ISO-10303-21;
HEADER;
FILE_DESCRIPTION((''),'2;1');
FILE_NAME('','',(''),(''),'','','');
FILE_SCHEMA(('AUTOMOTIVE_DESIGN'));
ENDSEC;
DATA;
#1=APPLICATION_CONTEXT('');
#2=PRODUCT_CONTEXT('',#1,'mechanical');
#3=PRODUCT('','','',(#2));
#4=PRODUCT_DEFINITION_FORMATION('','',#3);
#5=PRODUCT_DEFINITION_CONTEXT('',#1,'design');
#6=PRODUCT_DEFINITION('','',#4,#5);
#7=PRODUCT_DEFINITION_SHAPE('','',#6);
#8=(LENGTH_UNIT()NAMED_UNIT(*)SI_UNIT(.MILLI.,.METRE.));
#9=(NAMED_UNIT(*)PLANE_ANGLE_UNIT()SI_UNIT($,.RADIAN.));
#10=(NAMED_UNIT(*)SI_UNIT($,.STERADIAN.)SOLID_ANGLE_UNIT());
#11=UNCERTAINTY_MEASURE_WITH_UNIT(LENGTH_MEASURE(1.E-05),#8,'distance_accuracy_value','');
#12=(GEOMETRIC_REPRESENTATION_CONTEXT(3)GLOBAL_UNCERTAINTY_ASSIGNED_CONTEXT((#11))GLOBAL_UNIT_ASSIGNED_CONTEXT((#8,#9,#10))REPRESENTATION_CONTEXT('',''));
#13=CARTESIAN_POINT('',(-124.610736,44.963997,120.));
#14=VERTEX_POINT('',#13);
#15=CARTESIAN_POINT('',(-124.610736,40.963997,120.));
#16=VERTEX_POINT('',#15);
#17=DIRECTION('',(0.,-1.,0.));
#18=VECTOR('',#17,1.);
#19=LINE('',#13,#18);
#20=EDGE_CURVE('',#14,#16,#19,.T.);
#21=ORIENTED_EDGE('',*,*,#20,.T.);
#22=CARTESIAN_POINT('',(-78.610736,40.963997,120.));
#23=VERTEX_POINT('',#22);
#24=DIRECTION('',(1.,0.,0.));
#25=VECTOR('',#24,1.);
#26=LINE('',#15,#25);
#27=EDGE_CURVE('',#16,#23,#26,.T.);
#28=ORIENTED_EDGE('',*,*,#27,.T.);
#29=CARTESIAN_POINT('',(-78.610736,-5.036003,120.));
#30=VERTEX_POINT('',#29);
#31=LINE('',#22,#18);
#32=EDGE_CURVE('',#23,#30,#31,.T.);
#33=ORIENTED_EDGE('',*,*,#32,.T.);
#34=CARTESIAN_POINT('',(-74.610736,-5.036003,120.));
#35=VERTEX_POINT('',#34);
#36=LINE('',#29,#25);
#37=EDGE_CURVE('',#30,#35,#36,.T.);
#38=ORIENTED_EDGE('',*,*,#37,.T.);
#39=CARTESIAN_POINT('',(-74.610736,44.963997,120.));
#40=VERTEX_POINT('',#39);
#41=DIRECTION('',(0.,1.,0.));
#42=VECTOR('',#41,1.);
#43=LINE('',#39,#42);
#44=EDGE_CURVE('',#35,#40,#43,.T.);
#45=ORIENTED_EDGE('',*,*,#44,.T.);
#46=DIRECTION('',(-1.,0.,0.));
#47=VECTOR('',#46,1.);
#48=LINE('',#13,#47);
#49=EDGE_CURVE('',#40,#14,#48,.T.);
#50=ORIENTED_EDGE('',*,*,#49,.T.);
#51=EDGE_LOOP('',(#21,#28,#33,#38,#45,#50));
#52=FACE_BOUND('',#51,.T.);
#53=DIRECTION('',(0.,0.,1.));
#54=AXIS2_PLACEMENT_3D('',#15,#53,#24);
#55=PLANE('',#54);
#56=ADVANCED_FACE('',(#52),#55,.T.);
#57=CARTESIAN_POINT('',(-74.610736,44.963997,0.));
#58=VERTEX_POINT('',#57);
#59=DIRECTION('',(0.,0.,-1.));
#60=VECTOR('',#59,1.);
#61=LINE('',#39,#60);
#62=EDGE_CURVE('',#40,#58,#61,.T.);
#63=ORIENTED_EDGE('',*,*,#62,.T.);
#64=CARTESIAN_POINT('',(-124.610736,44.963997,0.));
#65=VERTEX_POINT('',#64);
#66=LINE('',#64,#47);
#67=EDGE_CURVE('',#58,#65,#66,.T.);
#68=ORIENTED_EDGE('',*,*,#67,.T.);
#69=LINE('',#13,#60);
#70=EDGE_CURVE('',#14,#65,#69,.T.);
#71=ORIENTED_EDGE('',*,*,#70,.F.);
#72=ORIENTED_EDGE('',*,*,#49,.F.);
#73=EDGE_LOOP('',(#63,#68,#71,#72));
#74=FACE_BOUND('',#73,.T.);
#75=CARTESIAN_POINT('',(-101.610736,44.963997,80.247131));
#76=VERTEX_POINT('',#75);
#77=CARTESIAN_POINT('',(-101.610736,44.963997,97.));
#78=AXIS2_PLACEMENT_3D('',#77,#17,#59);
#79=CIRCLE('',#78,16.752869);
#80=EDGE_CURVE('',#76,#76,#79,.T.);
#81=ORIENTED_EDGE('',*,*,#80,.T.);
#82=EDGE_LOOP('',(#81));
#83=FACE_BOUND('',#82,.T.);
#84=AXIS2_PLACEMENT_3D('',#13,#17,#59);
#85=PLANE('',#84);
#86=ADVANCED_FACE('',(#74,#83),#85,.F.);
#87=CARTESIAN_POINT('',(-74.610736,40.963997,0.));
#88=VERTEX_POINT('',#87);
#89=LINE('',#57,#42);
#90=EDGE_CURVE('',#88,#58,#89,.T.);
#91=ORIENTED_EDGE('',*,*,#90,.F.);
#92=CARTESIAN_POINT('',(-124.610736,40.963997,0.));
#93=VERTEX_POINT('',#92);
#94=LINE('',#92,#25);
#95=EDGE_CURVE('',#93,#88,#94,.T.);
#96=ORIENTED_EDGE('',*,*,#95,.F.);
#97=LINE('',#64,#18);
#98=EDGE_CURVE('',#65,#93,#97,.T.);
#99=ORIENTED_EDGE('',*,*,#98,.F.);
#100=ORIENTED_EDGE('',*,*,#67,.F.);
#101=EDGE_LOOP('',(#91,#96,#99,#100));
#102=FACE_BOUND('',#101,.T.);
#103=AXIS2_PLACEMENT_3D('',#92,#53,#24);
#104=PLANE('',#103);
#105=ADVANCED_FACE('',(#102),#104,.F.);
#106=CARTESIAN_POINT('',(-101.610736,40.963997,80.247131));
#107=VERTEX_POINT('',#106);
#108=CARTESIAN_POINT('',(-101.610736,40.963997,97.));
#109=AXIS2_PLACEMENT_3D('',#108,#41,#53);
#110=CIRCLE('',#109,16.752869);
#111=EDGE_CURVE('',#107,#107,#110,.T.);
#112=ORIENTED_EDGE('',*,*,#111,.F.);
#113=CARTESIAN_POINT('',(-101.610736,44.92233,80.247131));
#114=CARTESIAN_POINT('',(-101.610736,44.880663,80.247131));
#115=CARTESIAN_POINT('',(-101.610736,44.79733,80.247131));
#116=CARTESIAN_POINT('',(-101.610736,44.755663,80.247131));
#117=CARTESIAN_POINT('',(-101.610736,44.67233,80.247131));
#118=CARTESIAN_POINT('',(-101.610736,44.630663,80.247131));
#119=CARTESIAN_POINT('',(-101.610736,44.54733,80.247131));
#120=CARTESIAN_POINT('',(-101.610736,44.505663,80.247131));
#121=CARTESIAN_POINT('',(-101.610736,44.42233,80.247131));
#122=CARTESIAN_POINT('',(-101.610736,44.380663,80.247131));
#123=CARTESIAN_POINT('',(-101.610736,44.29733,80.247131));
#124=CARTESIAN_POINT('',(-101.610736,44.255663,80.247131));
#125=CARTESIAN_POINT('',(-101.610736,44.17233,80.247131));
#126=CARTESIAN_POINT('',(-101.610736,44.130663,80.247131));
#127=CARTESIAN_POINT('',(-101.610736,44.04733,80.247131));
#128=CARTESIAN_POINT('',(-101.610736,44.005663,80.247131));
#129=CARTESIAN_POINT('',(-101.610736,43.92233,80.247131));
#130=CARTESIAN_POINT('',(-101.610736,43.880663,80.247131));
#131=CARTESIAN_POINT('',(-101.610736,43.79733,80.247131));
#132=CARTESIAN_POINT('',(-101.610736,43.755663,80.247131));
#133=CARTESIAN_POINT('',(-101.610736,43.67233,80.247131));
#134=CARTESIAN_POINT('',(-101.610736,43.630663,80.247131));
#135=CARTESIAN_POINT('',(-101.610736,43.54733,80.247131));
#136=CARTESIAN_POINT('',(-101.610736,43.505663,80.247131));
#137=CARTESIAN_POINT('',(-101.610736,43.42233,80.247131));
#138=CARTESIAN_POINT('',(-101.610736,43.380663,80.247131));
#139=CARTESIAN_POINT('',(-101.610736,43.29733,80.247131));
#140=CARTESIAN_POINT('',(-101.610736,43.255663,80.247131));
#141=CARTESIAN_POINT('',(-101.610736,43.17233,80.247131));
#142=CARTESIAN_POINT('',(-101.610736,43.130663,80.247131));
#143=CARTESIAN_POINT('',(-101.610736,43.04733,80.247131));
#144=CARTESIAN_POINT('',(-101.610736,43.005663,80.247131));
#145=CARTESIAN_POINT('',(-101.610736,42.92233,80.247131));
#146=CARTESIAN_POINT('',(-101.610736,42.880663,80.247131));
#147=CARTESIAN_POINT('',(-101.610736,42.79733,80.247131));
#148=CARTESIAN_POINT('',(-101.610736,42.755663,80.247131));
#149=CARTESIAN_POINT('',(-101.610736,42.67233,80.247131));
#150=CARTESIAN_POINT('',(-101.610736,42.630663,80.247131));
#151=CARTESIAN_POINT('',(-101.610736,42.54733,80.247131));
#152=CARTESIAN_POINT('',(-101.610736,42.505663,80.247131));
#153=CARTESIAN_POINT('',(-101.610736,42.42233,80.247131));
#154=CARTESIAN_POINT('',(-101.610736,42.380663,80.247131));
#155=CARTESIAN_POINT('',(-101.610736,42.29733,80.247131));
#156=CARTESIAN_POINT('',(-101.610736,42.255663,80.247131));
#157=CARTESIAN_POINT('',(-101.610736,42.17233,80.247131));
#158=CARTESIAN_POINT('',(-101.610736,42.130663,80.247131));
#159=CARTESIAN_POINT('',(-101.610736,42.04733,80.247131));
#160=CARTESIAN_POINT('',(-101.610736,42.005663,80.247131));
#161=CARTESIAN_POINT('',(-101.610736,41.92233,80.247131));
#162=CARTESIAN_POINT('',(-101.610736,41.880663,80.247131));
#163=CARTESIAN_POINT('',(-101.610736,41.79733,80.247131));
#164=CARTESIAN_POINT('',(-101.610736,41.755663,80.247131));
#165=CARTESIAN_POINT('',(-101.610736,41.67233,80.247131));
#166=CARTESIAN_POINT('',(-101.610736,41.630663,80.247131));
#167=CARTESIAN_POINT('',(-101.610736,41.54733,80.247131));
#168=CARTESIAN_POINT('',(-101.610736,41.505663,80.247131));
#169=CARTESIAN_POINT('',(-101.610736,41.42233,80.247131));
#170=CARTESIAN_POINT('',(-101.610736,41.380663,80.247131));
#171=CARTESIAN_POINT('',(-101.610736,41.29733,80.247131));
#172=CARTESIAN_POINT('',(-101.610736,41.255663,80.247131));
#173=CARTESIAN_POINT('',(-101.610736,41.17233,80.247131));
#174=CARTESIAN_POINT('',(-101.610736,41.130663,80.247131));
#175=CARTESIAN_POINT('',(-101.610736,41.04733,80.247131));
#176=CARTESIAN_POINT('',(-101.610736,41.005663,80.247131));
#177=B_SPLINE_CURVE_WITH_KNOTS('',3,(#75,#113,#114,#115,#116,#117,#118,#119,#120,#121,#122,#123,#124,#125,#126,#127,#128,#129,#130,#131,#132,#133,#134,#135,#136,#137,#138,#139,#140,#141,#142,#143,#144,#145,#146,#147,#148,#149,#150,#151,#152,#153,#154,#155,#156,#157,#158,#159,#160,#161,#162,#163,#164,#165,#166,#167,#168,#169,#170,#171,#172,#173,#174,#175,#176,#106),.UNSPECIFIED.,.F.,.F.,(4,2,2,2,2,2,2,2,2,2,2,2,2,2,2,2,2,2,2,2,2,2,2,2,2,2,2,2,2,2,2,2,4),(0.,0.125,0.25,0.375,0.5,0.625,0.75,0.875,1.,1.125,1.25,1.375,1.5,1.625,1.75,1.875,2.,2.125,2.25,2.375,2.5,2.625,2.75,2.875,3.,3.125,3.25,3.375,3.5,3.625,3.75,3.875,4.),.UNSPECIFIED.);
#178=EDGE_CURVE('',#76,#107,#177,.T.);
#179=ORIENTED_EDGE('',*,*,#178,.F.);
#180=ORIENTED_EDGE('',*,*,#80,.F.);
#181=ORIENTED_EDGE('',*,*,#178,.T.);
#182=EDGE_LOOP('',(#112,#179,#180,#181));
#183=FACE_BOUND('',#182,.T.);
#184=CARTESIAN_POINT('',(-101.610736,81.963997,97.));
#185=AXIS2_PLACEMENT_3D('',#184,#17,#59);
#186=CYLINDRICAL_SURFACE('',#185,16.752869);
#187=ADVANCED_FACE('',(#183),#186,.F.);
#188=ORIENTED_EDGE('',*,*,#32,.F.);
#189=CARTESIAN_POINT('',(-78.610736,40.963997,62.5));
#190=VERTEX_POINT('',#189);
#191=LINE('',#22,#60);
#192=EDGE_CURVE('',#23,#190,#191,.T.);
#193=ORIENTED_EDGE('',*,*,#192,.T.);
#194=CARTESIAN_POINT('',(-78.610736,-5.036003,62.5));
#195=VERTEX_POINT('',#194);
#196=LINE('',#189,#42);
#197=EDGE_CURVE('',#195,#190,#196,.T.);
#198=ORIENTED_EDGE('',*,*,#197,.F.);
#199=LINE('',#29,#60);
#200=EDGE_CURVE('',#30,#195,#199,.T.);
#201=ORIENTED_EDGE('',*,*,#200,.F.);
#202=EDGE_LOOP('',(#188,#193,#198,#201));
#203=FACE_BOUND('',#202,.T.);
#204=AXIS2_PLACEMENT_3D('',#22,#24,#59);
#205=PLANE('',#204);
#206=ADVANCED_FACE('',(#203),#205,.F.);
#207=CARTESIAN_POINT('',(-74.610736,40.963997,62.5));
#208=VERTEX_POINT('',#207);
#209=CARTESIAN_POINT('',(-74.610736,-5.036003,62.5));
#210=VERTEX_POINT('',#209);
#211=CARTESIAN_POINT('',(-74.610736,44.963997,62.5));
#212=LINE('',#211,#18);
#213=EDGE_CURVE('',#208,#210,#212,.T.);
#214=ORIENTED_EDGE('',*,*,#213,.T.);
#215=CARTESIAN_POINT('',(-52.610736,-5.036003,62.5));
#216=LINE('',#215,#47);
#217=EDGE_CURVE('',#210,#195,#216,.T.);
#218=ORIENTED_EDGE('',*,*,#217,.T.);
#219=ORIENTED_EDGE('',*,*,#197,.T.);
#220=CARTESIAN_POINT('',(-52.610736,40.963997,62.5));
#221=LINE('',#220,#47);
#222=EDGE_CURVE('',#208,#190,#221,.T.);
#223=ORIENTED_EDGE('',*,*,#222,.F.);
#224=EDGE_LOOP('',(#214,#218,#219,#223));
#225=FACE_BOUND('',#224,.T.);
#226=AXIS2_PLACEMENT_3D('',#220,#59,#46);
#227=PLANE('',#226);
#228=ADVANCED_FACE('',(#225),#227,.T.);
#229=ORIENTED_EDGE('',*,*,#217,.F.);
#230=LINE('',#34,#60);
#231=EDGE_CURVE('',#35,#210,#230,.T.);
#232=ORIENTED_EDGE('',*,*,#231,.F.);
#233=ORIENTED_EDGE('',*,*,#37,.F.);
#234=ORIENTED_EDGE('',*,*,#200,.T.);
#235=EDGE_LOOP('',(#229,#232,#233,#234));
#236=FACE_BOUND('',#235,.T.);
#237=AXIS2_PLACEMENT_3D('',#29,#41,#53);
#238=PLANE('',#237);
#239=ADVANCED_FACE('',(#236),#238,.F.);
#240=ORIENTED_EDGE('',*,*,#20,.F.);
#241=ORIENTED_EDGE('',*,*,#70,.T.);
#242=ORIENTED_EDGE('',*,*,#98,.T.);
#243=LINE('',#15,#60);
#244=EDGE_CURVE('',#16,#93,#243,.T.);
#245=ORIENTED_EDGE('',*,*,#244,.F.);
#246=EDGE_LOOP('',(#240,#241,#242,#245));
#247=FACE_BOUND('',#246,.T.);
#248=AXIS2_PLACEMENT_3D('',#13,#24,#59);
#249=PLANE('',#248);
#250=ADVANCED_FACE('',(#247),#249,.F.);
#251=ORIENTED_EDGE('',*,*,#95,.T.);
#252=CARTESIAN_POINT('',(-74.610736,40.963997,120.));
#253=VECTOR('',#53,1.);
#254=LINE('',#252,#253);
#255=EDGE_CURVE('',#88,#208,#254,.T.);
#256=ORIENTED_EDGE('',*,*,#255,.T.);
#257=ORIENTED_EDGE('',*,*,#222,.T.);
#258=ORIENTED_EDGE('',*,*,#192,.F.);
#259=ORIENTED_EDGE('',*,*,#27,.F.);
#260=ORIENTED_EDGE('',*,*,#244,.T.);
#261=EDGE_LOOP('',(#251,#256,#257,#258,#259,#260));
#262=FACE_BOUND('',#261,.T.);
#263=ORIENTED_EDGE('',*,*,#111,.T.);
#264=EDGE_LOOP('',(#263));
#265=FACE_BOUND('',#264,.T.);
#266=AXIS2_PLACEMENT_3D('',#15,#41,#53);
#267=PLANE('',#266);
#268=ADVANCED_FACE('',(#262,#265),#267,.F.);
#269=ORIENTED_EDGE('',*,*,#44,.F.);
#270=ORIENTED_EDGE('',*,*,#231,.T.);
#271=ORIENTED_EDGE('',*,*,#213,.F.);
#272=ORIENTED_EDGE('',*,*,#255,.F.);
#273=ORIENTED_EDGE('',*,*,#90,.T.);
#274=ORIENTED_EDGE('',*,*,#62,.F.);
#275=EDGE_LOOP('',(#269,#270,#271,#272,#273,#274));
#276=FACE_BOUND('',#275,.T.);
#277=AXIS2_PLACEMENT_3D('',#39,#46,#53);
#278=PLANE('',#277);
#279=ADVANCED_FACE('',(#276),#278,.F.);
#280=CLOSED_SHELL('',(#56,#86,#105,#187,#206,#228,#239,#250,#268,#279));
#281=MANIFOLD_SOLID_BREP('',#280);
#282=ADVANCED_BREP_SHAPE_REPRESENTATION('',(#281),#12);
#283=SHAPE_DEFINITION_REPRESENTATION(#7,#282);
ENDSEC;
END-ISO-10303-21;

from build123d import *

# Parameters (mm, degrees)
SALIENTE_EXTRUIR1_DEPTH     = 120
CORTAR_EXTRUIR4_DEPTH       = 118
CORTAR_EXTRUIR4_DEPTH_BACK  = 26
CROQUIS2_W                  = 62.5
CROQUIS2_H                  = 46
CORTAR_EXTRUIR10_DEPTH      = 30
CORTAR_EXTRUIR10_DEPTH_BACK = 41
CROQUIS3_R                  = 16.752869439


with BuildPart() as part:
    # Croquis1 → Saliente-Extruir1 (new body)
    with BuildSketch(Plane.XY):
        Polygon((-124.610735746, 44.963996627), (-74.610735746, 44.963996627), (-74.610735746, -5.036003373), (-78.610735746, -5.036003373), (-78.610735746, 40.963996627), (-124.610735746, 40.963996627), align=None)
    extrude(amount=SALIENTE_EXTRUIR1_DEPTH)

    # Croquis2 → Cortar-Extruir4 (cut, two sides: drawn at the far end of the back side and taken through both)
    with BuildSketch(Plane.ZY.offset(78.610735746).offset(-CORTAR_EXTRUIR4_DEPTH_BACK)):
        with Locations((31.25, 17.963996627)):
            Rectangle(CROQUIS2_W, CROQUIS2_H)
    extrude(amount=CORTAR_EXTRUIR4_DEPTH + CORTAR_EXTRUIR4_DEPTH_BACK, mode=Mode.SUBTRACT)

    # Croquis3 → Cortar-Extruir10 (cut, two sides: drawn at the far end of the back side and taken through both)
    with BuildSketch(Plane.XZ.offset(-40.963996627).offset(-CORTAR_EXTRUIR10_DEPTH_BACK)):
        with Locations(Location((-101.610735746, 97, 0), (0, 0, 270))):
            Circle(CROQUIS3_R)
    extrude(amount=CORTAR_EXTRUIR10_DEPTH + CORTAR_EXTRUIR10_DEPTH_BACK, mode=Mode.SUBTRACT)


solid = part.part
